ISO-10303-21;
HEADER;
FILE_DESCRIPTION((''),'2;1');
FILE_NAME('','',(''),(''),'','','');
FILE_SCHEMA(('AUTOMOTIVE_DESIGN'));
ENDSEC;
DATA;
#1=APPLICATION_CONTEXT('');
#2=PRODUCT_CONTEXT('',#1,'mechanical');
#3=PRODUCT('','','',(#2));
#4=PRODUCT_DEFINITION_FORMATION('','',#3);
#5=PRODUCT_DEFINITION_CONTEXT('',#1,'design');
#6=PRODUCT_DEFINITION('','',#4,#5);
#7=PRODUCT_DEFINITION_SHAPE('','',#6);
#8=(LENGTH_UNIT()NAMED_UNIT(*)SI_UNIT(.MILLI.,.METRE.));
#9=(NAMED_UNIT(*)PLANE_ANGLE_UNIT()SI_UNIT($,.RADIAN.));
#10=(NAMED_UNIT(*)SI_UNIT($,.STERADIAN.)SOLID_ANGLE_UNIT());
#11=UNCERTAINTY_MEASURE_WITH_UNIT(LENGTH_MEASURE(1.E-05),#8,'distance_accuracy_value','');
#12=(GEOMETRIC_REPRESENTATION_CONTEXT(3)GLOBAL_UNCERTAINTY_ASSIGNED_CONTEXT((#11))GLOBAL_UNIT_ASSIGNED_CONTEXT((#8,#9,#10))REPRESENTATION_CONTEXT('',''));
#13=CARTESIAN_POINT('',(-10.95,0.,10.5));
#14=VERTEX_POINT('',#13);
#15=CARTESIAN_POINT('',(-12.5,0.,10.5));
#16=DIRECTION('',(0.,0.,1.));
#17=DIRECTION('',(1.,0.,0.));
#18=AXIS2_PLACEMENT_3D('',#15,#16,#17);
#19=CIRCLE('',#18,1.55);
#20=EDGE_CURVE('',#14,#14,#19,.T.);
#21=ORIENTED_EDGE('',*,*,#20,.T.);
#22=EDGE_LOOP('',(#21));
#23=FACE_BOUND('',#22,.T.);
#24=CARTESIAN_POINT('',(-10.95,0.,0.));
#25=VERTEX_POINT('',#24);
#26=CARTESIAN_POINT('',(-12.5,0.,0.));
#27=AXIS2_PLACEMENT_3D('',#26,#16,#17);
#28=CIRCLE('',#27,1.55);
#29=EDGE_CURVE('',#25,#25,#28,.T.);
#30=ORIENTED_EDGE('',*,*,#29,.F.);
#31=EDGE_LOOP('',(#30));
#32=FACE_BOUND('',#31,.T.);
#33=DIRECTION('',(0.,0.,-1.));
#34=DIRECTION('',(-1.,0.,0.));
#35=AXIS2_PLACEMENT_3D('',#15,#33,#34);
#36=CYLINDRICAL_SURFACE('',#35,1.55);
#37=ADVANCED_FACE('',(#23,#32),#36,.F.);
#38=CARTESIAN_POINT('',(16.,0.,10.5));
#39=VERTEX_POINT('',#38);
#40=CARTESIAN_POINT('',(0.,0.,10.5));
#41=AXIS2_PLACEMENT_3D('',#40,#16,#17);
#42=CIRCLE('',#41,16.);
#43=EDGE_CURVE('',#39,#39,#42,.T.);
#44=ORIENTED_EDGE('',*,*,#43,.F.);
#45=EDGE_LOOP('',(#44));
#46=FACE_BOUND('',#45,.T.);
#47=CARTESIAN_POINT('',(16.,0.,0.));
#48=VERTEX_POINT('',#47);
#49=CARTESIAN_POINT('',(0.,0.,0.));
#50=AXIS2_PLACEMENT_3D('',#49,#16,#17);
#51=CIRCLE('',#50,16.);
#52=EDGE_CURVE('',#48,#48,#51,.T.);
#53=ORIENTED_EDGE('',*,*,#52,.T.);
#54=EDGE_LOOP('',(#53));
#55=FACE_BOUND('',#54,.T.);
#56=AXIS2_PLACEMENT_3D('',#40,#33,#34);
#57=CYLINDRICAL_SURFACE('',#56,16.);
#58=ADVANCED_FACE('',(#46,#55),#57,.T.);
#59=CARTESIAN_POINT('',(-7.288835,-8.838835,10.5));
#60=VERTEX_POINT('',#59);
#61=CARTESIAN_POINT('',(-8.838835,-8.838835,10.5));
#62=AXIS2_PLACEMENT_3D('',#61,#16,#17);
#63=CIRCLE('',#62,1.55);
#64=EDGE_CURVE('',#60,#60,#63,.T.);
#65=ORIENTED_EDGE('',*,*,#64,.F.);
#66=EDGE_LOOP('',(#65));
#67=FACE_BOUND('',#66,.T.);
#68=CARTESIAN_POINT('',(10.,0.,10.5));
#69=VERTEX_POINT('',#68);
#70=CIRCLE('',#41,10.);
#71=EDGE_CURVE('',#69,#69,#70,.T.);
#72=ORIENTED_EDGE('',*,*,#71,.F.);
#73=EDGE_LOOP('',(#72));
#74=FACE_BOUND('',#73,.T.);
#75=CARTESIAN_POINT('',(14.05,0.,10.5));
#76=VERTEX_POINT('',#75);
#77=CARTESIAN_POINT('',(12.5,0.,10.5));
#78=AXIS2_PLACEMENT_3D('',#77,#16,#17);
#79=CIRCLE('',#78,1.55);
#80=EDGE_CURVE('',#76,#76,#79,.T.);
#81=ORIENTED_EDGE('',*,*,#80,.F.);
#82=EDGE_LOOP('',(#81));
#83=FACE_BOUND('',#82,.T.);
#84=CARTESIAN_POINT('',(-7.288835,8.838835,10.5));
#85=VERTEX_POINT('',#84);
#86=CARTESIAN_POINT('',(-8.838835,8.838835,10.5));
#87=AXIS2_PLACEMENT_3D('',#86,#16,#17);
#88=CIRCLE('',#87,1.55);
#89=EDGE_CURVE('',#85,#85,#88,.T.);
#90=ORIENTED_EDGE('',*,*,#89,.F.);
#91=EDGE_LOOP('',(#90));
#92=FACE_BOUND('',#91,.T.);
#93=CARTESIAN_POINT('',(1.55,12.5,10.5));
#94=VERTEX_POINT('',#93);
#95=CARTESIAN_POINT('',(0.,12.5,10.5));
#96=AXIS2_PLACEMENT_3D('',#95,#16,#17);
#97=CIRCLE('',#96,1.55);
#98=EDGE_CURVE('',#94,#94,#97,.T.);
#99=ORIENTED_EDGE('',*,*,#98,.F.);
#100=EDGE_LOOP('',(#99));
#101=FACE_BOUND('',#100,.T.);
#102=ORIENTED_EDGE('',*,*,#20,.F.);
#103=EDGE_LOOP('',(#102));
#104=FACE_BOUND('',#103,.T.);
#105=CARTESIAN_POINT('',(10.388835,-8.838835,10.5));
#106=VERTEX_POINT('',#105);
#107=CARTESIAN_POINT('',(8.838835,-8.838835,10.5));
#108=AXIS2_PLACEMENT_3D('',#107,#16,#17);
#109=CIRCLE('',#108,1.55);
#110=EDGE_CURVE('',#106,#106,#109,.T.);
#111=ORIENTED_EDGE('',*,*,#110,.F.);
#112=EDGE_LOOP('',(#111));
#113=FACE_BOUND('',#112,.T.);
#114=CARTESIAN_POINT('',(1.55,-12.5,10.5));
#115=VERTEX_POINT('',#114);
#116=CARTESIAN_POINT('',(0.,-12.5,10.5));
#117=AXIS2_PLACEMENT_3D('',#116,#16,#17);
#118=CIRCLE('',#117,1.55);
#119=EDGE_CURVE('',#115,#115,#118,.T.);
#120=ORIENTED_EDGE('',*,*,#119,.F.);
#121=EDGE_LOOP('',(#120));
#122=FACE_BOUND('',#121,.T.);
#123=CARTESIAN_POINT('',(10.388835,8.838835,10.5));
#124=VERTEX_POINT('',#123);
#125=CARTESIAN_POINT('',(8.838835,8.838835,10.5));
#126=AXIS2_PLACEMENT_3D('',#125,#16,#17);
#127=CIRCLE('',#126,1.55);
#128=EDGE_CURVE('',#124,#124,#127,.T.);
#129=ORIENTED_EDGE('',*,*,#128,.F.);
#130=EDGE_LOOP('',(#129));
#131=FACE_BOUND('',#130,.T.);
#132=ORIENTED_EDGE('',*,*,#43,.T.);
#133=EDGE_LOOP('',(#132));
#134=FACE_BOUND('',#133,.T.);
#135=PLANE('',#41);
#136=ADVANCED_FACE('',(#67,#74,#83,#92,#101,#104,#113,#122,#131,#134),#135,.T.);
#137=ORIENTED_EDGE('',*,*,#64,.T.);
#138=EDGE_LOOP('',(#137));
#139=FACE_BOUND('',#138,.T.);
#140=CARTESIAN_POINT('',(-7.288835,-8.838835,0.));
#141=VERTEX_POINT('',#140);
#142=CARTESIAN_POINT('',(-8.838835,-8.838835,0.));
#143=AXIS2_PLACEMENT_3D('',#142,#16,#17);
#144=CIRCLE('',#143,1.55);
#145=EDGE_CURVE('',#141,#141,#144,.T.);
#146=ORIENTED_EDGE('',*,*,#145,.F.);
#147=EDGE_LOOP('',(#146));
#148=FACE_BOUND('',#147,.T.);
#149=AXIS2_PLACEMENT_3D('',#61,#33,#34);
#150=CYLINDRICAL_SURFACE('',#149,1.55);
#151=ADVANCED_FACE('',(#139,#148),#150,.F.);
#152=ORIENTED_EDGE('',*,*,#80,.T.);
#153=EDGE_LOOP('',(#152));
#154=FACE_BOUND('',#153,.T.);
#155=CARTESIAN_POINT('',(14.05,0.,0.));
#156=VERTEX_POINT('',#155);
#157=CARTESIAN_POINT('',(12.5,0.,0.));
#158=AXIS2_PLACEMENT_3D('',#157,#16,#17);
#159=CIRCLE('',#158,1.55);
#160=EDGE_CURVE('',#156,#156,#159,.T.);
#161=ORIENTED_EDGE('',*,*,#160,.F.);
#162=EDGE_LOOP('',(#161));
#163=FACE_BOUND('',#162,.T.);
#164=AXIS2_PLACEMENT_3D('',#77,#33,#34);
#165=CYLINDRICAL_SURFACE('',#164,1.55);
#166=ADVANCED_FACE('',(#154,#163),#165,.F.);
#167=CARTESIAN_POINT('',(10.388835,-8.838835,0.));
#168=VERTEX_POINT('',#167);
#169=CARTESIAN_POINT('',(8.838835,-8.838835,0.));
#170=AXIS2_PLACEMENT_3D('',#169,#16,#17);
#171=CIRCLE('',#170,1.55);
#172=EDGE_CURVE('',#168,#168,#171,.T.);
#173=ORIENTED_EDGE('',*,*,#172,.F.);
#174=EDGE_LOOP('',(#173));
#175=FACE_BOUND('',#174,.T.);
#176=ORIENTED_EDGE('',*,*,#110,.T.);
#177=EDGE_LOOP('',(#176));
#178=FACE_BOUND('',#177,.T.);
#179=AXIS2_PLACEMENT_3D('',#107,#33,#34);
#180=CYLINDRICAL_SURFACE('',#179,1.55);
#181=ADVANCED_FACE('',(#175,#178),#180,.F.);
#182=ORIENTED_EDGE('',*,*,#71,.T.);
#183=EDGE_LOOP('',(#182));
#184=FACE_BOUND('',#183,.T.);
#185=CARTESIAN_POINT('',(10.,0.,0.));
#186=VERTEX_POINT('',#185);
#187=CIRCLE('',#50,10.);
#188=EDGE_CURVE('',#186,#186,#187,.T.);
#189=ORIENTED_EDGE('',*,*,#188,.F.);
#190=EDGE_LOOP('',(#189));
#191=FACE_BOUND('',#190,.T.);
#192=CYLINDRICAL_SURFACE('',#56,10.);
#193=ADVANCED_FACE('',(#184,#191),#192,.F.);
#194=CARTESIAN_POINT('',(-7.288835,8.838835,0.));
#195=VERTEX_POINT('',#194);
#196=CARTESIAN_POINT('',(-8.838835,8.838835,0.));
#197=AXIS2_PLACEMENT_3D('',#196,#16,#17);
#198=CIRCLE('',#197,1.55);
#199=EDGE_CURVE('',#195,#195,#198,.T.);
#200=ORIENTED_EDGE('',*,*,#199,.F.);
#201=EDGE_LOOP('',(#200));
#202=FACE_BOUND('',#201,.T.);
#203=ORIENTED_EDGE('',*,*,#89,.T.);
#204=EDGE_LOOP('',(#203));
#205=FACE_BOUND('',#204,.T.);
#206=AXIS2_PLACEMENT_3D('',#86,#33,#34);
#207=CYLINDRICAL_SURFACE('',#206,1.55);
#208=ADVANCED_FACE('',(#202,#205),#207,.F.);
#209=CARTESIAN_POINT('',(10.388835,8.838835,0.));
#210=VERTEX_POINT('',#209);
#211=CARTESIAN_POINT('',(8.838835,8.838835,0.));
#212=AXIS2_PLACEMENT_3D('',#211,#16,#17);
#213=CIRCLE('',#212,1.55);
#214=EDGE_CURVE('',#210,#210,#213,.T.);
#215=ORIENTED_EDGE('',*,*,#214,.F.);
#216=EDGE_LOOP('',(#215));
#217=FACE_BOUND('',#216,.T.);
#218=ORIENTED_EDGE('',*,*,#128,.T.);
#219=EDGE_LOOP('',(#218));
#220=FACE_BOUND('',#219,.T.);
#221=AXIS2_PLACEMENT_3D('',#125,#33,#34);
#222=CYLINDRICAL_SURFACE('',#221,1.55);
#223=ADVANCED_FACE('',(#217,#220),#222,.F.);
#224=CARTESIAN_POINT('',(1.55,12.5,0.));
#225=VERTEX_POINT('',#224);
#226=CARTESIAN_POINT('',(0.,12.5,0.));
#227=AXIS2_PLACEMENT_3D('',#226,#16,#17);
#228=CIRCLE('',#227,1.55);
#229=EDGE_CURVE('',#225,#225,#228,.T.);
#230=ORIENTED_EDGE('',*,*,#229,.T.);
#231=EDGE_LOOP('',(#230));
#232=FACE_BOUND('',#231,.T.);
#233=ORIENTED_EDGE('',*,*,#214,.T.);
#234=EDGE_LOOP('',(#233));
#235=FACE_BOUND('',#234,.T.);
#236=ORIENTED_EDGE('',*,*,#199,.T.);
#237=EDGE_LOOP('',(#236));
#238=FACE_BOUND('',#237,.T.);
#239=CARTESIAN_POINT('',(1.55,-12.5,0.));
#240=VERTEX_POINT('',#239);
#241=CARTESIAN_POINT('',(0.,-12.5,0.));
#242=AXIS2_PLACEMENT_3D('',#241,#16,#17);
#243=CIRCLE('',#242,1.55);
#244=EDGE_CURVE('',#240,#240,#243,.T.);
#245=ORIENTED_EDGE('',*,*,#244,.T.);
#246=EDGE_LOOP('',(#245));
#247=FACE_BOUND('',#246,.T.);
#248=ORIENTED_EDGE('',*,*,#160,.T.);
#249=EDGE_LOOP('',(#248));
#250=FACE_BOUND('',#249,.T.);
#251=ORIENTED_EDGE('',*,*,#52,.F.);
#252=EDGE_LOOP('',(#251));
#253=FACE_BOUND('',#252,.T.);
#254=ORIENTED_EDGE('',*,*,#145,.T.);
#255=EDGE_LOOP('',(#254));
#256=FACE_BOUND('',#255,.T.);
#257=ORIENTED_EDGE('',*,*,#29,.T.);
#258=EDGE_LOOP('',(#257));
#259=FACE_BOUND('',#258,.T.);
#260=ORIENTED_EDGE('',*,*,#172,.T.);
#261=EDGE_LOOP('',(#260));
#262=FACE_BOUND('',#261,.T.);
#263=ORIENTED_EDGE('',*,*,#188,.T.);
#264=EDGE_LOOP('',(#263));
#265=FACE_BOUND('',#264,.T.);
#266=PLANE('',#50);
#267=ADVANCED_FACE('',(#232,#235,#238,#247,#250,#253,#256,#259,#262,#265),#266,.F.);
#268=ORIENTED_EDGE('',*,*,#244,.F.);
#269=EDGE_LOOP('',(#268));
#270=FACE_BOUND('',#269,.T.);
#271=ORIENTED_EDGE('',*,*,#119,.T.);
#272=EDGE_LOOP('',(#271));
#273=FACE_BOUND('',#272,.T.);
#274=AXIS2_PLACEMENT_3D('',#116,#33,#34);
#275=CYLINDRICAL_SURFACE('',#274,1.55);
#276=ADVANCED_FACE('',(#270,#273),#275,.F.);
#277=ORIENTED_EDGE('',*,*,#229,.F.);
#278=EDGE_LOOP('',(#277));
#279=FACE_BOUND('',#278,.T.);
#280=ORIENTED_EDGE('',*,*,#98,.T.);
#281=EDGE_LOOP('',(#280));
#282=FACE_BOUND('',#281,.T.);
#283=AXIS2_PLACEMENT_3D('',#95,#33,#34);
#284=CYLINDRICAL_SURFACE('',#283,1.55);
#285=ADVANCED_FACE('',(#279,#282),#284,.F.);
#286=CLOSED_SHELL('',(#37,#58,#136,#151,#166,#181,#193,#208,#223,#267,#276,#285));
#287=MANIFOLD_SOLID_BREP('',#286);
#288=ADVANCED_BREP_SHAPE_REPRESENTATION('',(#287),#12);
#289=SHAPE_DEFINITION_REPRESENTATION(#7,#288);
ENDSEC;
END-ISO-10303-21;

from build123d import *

# Parameters (mm, degrees)
SKETCH_1_R      = 16
SKETCH_1_R_2    = 1.55
SKETCH_1_R_3    = 10
EXTRUDE_1_DEPTH = 10.5


with BuildPart() as part:
    # 草图1 → 凸台-拉伸1 (new body)
    with BuildSketch(Plane.XY):
        Circle(SKETCH_1_R)
        with Locations((0, 12.5)):
            Circle(SKETCH_1_R_2, mode=Mode.SUBTRACT)
        with Locations((8.838834765, 8.838834765)):
            Circle(SKETCH_1_R_2, mode=Mode.SUBTRACT)
        with Locations((12.5, 0)):
            Circle(SKETCH_1_R_2, mode=Mode.SUBTRACT)
        with Locations((8.838834765, -8.838834765)):
            Circle(SKETCH_1_R_2, mode=Mode.SUBTRACT)
        with Locations((0, -12.5)):
            Circle(SKETCH_1_R_2, mode=Mode.SUBTRACT)
        with Locations((-8.838834765, -8.838834765)):
            Circle(SKETCH_1_R_2, mode=Mode.SUBTRACT)
        with Locations((-12.5, 0)):
            Circle(SKETCH_1_R_2, mode=Mode.SUBTRACT)
        with Locations((-8.838834765, 8.838834765)):
            Circle(SKETCH_1_R_2, mode=Mode.SUBTRACT)
        Circle(SKETCH_1_R_3, mode=Mode.SUBTRACT)
    extrude(amount=EXTRUDE_1_DEPTH)


solid = part.part
